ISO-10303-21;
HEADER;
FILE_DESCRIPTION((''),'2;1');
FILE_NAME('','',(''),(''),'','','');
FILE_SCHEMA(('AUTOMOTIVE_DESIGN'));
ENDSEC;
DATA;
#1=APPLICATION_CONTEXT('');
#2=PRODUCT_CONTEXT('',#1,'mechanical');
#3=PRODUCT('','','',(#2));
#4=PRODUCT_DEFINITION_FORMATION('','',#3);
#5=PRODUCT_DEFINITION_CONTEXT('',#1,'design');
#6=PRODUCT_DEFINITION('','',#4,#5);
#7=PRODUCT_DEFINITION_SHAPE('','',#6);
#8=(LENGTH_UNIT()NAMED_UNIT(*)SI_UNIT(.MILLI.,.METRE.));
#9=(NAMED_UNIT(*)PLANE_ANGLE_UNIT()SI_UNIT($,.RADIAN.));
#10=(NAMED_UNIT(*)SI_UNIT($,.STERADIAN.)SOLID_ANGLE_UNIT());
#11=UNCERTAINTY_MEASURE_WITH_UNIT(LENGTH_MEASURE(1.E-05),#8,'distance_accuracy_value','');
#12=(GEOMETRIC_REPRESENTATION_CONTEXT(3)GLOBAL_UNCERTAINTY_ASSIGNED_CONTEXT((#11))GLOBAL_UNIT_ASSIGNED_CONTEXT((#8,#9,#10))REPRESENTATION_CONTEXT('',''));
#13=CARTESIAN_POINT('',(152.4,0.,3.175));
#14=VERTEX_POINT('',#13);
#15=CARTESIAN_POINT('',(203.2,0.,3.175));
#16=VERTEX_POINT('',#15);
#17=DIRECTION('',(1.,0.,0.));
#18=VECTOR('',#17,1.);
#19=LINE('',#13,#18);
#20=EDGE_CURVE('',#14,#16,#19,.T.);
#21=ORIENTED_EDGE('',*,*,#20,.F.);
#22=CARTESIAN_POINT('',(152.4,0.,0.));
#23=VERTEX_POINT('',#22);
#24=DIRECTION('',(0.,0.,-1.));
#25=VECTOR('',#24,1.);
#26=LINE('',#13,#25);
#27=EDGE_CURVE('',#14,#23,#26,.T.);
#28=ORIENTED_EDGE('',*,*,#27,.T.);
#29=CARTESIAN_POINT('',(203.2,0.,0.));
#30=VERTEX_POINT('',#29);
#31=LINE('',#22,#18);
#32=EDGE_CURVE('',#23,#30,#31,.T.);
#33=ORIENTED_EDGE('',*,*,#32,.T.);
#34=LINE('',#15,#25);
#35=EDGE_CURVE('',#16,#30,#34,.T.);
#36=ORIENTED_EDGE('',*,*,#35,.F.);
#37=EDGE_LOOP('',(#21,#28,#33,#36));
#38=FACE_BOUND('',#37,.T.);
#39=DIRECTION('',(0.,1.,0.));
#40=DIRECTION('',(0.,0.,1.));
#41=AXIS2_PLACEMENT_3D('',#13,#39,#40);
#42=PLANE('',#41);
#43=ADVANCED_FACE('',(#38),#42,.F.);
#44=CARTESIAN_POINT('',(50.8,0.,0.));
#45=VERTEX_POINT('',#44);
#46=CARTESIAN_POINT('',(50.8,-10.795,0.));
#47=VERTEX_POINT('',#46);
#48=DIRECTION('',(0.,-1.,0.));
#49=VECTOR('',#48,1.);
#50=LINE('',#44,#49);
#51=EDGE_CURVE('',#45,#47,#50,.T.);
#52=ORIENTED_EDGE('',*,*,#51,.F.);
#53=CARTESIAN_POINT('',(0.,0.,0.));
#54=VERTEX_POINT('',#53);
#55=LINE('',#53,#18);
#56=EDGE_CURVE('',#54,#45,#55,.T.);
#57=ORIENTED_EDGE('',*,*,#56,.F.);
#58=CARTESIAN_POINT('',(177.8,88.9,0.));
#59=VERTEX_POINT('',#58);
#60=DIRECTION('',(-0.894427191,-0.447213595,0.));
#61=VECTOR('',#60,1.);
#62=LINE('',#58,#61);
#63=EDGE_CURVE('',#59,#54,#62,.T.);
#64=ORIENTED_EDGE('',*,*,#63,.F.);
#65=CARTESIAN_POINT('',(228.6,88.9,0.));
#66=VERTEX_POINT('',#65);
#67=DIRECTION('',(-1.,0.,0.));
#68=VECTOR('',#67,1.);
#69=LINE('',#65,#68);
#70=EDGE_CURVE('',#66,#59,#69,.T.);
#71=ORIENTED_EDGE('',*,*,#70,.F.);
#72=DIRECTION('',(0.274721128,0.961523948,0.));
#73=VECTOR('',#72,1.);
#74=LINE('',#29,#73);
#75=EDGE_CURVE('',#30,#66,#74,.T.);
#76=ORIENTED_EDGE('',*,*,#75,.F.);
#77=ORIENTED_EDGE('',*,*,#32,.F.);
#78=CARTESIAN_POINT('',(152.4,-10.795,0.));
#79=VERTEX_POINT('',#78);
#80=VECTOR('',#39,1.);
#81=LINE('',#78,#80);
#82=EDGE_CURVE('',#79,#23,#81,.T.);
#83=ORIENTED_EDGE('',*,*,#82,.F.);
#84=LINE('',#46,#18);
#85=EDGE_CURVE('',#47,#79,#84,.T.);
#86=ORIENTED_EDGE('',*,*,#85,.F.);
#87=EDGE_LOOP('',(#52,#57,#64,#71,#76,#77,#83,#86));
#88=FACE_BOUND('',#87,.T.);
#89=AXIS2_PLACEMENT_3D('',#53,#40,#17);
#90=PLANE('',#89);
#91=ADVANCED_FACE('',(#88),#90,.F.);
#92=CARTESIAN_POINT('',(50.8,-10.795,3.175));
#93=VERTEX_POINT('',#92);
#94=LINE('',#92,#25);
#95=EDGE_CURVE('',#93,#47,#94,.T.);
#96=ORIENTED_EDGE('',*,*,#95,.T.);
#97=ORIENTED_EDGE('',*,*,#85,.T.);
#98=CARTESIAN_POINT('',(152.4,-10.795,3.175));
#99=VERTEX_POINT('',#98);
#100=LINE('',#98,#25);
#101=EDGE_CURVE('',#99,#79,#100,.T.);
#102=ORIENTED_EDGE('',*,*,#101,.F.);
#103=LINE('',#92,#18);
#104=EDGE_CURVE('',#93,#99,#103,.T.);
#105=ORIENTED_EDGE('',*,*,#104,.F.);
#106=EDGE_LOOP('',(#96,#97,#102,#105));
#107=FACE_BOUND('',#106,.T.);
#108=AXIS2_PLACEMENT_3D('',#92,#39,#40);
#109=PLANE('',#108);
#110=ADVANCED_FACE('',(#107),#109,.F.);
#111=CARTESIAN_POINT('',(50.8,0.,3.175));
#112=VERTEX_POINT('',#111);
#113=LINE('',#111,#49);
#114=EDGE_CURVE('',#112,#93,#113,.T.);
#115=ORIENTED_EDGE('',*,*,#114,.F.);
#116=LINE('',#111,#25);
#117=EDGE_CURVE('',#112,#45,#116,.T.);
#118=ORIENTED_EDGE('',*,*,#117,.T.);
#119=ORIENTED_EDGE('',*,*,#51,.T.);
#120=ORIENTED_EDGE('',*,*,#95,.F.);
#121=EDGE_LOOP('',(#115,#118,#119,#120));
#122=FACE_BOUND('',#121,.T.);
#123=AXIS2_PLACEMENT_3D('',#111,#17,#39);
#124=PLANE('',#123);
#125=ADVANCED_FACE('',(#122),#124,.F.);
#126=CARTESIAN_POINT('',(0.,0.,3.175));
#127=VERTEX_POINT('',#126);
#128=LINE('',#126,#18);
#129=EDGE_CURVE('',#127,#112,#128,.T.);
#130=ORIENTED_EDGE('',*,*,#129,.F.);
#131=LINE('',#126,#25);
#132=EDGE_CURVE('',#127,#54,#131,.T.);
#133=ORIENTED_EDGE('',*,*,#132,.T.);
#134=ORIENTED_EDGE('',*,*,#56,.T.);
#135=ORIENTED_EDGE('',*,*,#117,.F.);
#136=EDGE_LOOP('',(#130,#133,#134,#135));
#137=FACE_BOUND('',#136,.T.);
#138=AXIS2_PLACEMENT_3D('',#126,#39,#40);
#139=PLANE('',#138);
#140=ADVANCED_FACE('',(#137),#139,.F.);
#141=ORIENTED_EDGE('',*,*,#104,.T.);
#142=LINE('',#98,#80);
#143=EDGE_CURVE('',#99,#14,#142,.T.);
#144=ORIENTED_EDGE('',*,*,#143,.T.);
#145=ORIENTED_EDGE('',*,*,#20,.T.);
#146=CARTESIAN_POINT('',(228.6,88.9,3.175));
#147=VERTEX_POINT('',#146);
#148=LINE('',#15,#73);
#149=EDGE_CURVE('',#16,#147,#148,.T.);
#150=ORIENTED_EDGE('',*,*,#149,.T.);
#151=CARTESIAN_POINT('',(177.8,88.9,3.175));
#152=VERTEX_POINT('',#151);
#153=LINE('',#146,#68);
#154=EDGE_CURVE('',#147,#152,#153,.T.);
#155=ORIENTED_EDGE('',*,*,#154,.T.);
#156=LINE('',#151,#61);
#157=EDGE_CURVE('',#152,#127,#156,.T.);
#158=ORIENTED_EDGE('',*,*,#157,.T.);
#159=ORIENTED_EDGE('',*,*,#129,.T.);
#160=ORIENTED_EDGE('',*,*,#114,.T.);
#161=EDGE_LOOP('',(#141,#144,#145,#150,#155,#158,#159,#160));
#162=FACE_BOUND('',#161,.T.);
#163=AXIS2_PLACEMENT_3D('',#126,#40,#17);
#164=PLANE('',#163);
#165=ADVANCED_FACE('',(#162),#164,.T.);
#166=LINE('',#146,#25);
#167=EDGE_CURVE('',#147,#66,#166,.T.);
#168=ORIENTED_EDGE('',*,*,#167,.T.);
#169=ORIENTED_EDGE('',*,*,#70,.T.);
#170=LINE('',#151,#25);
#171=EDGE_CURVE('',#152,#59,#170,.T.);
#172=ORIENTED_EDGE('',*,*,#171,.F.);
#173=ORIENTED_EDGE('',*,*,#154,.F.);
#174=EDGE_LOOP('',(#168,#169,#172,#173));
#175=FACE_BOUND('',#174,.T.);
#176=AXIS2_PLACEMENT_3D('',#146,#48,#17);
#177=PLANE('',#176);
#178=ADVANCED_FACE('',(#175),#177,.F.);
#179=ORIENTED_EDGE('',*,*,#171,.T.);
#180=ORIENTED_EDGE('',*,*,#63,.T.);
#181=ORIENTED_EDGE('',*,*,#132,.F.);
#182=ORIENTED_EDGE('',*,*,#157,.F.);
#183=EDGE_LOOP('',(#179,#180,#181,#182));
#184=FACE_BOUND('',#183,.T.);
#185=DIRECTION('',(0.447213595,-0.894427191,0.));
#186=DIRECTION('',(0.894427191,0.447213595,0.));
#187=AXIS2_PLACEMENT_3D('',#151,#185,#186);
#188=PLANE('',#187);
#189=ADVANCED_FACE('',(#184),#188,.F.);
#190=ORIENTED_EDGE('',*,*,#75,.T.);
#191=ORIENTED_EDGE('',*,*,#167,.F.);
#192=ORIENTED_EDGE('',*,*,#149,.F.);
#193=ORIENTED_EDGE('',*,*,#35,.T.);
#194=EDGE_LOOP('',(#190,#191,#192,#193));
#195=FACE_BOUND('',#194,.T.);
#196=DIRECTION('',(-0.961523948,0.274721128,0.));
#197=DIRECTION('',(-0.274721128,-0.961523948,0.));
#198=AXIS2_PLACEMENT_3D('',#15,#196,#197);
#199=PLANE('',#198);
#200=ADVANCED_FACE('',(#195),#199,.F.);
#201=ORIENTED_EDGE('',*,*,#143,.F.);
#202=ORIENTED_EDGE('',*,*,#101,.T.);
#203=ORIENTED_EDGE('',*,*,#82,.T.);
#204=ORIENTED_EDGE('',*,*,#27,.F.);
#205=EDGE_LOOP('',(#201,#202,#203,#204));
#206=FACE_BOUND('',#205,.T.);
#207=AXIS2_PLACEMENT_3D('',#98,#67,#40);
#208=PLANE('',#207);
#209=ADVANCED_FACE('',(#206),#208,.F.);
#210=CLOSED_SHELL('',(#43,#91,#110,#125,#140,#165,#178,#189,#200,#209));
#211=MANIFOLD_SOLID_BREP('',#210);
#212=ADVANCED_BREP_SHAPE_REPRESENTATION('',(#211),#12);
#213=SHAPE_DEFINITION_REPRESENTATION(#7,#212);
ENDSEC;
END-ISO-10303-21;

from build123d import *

# Parameters (mm, degrees)
BOSS_EXTRUDE1_DEPTH = 3.175


with BuildPart() as part:
    # Sketch1 → Boss-Extrude1 (new body)
    with BuildSketch(Plane.XY):
        Polygon((0, 0), (50.8, 0), (50.8, -10.795), (152.4, -10.795), (152.4, 0), (203.2, 0), (228.6, 88.9), (177.8, 88.9), align=None)
    extrude(amount=BOSS_EXTRUDE1_DEPTH)


solid = part.part
